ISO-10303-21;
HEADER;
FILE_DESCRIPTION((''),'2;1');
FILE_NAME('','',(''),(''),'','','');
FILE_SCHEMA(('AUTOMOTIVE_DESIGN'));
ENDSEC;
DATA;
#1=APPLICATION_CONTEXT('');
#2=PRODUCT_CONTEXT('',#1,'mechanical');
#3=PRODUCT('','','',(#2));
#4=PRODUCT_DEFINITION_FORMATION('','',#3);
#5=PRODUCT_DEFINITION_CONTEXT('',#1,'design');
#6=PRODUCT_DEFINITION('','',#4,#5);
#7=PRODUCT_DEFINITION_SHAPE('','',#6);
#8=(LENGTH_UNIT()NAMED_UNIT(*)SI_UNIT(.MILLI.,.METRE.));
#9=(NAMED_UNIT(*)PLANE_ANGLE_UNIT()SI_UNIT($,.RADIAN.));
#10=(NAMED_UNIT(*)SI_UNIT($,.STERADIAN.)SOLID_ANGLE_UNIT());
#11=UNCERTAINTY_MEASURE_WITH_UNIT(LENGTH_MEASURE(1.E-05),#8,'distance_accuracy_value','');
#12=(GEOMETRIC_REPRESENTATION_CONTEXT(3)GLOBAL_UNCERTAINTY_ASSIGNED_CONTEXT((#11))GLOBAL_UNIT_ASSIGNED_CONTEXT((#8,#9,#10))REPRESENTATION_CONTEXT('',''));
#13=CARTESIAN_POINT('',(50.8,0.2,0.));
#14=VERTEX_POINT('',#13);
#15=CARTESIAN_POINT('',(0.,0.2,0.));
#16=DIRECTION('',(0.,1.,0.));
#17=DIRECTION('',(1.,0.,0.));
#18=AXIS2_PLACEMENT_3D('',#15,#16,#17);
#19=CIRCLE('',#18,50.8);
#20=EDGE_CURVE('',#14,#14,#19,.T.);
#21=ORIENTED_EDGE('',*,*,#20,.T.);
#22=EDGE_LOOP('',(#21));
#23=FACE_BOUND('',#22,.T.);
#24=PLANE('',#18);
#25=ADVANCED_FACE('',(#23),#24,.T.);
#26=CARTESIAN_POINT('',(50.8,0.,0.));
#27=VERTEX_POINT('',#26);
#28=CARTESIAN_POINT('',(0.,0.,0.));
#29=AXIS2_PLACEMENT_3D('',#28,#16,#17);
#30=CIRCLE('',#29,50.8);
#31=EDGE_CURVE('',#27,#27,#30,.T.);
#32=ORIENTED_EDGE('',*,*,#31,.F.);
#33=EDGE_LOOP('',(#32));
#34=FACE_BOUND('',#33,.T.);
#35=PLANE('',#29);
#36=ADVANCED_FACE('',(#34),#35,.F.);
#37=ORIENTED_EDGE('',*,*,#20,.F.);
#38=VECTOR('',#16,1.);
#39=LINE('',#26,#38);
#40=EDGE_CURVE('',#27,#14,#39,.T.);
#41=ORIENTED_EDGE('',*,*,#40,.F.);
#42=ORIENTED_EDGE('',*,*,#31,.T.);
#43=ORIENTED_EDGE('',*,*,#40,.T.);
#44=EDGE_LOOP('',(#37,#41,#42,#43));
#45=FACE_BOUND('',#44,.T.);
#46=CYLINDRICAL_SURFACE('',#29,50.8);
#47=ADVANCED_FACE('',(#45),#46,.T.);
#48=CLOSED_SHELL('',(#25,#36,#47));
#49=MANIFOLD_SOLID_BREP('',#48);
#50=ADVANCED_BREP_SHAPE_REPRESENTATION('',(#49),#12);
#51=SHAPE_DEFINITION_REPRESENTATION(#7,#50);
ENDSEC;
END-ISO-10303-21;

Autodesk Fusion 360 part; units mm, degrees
cylinder "CylinderPrimitive1" add diameter 101.6 height 0.2 placed x (1, 0, 0) y (0, 0, -1) z (0, 1, 0) at (0, 0, 0)
